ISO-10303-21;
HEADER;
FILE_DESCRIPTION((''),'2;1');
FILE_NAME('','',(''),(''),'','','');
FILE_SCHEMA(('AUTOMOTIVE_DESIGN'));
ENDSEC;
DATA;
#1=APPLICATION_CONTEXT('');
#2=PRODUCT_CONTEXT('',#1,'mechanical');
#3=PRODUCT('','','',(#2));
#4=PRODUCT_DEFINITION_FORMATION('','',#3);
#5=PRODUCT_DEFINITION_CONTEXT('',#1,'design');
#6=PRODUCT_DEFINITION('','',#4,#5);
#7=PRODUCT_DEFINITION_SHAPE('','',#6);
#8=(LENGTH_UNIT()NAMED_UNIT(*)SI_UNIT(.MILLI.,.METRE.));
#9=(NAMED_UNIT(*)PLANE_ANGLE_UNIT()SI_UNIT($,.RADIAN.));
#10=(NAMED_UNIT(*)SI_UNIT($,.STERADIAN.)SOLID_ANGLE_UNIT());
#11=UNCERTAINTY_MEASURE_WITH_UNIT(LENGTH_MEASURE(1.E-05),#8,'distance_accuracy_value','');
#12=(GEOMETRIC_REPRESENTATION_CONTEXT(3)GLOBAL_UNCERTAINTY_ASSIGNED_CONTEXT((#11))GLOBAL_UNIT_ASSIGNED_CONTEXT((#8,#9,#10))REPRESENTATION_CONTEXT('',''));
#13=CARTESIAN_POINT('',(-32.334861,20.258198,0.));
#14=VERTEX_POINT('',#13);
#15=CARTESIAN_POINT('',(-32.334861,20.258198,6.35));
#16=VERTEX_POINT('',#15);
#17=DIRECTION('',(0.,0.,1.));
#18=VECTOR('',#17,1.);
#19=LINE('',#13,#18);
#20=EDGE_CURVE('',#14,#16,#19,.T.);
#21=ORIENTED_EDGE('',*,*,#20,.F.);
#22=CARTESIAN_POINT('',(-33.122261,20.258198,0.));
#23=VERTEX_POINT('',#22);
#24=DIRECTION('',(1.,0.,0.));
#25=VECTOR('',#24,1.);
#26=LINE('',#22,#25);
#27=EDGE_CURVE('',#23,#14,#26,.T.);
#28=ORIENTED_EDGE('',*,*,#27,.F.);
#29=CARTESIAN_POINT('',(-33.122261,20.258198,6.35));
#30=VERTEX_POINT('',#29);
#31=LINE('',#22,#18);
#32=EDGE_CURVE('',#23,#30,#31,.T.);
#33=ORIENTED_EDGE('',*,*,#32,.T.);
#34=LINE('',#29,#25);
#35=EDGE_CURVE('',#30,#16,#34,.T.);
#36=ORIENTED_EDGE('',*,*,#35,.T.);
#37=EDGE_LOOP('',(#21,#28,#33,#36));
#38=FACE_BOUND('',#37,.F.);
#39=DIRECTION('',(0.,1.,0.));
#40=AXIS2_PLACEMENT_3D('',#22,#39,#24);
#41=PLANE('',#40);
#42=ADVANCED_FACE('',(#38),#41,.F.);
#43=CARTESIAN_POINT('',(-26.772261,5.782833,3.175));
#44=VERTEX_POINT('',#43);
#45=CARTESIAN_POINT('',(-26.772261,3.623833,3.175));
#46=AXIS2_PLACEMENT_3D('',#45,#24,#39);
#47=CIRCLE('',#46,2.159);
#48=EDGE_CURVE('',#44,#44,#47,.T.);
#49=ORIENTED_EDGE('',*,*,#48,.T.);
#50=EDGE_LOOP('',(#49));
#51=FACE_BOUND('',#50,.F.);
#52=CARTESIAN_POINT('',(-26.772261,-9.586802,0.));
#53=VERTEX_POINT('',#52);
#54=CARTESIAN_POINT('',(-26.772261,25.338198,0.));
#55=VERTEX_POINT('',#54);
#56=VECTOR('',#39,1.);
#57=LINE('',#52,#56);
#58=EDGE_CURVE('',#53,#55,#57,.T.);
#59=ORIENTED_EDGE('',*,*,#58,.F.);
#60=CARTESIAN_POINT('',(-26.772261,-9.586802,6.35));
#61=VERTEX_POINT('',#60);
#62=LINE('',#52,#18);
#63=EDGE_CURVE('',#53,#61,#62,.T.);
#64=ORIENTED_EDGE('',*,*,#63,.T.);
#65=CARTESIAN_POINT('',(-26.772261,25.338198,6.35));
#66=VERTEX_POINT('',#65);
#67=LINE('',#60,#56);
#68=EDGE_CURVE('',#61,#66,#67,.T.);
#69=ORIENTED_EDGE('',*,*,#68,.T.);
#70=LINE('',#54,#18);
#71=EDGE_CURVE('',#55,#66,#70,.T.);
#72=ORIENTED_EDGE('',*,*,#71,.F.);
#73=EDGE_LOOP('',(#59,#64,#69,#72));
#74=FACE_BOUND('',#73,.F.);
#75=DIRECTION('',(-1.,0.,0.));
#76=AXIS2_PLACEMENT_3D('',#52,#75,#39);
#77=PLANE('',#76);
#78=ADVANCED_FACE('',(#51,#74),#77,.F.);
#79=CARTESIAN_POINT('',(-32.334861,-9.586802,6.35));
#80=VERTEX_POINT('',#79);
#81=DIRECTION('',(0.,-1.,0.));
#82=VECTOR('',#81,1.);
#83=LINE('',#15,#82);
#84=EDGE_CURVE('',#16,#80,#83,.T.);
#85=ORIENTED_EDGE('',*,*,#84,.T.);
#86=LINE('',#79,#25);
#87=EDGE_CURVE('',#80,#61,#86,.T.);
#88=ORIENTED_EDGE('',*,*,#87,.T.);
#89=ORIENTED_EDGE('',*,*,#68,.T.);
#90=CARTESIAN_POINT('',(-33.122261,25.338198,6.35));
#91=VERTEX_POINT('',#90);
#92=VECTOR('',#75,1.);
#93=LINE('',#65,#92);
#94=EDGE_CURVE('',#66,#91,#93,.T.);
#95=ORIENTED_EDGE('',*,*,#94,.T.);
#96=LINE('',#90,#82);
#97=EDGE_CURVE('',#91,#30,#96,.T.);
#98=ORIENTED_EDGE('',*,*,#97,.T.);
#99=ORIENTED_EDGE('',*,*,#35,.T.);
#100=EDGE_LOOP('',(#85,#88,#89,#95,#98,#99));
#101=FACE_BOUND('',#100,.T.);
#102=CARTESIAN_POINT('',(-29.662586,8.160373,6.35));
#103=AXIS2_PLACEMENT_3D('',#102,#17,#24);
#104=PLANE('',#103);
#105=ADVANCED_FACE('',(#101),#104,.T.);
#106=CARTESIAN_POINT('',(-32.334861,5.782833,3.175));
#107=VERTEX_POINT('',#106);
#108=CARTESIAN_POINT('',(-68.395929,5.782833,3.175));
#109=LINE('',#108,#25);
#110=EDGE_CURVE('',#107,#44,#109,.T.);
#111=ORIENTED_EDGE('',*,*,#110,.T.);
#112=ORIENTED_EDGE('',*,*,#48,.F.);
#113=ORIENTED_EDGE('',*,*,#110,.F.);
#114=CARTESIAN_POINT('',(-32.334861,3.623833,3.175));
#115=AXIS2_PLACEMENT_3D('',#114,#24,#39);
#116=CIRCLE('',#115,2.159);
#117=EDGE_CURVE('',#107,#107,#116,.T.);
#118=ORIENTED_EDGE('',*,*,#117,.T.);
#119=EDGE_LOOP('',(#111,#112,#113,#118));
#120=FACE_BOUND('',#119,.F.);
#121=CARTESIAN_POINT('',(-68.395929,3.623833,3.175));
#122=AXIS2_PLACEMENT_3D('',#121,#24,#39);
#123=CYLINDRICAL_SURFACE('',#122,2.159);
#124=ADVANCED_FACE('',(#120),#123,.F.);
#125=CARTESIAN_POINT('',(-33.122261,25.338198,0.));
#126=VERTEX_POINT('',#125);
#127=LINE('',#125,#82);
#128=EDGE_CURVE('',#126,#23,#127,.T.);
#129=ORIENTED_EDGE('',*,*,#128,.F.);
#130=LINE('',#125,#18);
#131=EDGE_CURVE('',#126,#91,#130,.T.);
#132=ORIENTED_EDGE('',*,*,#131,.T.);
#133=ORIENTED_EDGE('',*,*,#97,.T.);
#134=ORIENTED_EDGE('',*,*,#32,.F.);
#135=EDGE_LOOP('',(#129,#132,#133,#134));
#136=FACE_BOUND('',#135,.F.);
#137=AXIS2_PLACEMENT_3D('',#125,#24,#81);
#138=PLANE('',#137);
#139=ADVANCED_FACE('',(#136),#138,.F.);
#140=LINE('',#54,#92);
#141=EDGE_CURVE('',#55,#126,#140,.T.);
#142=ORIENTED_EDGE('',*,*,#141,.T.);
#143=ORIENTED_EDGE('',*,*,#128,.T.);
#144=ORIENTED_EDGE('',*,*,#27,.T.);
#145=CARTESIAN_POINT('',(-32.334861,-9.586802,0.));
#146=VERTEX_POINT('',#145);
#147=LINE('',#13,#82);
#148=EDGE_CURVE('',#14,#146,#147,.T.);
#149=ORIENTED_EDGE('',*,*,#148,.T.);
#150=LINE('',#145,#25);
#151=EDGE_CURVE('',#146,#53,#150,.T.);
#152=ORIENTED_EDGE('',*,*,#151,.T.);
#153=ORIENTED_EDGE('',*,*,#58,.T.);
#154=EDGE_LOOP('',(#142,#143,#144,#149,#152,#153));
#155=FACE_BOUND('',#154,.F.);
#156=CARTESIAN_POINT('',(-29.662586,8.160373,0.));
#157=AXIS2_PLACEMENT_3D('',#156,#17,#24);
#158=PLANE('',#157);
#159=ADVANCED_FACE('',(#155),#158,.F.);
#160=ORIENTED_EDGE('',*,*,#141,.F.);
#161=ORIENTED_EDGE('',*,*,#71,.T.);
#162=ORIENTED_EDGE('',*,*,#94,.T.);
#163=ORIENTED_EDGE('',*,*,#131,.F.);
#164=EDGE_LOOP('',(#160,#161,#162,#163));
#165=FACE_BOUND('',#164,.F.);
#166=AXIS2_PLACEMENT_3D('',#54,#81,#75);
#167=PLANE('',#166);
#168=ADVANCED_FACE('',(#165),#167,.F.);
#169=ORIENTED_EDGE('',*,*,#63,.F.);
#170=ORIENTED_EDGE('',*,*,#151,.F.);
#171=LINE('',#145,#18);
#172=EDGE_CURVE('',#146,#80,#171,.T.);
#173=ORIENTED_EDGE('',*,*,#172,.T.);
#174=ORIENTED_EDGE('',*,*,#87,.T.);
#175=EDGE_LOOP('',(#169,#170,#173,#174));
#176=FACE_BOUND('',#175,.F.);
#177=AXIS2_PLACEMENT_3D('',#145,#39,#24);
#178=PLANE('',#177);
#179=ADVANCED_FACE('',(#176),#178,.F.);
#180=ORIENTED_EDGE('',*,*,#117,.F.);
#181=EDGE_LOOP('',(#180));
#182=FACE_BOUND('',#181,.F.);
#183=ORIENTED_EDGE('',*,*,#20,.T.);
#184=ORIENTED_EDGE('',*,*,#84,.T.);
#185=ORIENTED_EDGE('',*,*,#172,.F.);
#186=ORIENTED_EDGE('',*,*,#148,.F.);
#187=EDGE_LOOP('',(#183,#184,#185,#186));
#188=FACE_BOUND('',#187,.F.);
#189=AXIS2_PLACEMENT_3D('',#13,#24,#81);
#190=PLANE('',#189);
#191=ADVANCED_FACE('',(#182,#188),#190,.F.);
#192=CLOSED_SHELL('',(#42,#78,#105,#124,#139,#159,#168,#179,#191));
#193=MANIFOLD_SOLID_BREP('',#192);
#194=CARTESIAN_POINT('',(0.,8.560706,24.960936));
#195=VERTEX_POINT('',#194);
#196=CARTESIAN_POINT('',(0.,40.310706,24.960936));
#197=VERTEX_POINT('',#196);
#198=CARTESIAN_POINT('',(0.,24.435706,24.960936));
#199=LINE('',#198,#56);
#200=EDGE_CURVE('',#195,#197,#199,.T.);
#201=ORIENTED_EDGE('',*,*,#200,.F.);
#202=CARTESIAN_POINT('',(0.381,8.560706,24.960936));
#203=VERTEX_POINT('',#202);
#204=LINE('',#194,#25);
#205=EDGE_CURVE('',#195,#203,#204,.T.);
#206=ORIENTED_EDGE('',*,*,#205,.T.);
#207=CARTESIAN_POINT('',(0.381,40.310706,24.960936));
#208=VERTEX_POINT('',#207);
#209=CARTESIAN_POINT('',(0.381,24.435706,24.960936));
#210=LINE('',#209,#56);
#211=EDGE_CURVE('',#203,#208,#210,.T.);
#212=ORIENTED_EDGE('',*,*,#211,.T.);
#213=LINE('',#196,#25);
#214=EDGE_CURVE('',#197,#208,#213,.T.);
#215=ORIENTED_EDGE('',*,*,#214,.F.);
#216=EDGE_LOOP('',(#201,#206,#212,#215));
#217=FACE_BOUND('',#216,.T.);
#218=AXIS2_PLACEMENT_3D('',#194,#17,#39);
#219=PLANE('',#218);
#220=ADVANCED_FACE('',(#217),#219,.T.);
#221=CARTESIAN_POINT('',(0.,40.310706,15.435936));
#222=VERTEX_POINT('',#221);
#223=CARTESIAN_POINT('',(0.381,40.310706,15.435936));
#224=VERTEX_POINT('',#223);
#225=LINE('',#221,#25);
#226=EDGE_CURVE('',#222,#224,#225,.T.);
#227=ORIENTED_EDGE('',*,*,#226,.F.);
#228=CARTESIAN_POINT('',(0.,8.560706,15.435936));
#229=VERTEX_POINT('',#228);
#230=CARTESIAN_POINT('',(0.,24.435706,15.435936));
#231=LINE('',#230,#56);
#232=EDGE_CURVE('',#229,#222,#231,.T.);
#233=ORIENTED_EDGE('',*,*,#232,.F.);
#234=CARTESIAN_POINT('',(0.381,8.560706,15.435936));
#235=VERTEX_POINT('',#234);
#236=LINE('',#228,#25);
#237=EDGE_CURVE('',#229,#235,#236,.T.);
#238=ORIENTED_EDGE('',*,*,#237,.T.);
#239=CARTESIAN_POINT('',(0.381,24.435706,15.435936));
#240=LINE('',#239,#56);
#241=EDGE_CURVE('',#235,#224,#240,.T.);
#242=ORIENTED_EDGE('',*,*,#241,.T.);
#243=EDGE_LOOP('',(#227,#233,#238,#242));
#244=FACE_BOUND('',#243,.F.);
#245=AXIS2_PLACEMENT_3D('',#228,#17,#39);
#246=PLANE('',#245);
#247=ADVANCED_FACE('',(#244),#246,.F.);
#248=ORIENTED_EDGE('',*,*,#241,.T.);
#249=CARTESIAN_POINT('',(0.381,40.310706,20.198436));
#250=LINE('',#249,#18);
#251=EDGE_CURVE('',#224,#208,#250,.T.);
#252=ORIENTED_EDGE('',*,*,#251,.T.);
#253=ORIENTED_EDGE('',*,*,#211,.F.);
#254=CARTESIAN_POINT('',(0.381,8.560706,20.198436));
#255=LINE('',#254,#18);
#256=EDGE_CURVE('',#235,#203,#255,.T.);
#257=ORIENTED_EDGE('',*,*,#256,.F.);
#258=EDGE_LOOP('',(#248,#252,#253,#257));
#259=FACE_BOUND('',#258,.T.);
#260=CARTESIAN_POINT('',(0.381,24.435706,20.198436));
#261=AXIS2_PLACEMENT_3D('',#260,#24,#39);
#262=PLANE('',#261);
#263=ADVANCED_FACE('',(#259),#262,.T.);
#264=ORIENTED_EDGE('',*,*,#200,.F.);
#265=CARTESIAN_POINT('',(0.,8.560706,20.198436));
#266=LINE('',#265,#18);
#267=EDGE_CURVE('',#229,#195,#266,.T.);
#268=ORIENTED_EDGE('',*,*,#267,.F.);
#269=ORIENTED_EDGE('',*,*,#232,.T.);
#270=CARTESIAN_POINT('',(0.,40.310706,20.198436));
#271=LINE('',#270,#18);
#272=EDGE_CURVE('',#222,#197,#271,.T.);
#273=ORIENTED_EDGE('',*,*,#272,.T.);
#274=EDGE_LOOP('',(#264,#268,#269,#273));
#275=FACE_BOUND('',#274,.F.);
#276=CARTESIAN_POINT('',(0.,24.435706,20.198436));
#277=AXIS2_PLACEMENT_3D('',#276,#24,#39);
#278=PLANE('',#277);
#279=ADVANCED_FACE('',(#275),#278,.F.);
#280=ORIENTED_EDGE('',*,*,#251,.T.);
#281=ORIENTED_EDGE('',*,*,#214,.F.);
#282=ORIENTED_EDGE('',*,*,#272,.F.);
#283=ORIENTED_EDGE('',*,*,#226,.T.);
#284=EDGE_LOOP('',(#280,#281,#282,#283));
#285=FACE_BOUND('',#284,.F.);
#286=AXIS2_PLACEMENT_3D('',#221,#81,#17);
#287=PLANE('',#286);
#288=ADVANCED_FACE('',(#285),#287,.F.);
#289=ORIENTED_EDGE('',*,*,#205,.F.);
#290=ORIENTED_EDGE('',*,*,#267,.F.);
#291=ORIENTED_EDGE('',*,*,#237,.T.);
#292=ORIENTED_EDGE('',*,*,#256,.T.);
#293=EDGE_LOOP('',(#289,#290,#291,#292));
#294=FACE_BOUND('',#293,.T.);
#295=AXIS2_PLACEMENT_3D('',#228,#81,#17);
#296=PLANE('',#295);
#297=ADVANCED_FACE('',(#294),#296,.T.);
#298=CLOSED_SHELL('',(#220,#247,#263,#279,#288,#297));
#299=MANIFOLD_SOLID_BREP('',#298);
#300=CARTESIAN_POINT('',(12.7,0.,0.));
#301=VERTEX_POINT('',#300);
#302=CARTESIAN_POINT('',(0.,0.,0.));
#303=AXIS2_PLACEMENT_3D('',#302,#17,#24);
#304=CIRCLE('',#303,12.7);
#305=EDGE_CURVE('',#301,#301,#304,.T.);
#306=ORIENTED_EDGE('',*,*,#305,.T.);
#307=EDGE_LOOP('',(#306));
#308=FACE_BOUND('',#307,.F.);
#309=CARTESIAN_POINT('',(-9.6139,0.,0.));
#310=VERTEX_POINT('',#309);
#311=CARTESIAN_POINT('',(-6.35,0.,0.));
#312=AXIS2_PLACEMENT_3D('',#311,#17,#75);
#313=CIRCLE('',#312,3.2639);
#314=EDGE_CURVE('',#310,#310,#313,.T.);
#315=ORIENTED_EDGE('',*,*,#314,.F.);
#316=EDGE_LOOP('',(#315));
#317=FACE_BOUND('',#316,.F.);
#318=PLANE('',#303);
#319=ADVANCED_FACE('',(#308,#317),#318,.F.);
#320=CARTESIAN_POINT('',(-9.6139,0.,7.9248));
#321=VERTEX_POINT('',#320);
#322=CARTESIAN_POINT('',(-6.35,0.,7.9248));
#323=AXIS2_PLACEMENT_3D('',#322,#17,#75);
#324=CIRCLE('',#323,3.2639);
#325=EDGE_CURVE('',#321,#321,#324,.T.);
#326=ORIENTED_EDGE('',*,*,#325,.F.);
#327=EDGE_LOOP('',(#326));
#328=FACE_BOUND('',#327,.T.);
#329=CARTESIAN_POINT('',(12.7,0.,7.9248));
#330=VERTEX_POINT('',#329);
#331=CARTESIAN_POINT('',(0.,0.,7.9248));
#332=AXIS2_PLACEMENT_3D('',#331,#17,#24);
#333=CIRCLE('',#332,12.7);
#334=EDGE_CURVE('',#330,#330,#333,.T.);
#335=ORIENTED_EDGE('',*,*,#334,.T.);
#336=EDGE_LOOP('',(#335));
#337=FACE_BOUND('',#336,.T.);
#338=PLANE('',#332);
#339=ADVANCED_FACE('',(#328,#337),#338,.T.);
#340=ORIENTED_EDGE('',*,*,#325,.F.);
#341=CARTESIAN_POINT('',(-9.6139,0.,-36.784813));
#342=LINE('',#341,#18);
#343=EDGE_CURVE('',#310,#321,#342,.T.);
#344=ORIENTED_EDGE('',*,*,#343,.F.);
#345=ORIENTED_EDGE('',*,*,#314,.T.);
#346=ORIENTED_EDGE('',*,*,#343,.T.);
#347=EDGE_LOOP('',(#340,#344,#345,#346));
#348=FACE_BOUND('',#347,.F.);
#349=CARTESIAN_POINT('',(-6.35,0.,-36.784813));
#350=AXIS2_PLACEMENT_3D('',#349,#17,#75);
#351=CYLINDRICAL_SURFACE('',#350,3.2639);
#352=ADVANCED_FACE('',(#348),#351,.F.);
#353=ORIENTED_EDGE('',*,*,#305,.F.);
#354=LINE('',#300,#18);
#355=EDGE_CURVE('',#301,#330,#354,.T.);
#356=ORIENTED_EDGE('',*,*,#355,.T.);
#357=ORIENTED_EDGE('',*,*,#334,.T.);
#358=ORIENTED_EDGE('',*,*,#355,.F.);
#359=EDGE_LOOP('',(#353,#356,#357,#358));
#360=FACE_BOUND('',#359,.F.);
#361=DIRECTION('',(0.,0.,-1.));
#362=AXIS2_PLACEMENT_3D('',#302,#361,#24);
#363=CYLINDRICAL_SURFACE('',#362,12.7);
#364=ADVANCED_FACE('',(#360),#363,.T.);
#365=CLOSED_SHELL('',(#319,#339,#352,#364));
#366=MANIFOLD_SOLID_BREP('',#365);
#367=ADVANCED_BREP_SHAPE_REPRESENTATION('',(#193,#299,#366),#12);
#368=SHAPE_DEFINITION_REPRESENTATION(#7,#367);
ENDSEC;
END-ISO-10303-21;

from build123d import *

# Parameters (mm, degrees)
F0_R     = 12.7
F1_DEPTH = 7.9248
F2_D     = 6.5278
F4_DEPTH = 6.35
F6_D     = 4.318
F7_W     = 31.75
F7_H     = 9.525
F8_DEPTH = 0.381


with BuildPart() as f1:
    # F0 (on Top) → F1 (new body)
    with BuildSketch(Plane.XY):
        Circle(F0_R)
    extrude(amount=F1_DEPTH)

    # F2 (through all)
    with Locations(Plane(origin=(0, 0, 0), x_dir=(1, 0, 0), z_dir=(0, 0, -1))):
        with Locations((-6.35, 0)):
            Hole(F2_D / 2)


with BuildPart() as f4:
    # F3 (on Top) → F4 (new body)
    with BuildSketch(Plane.XY):
        Polygon((-26.772261326, 25.338197906), (-33.122261326, 25.338197906), (-33.122261326, 20.258197906), (-32.334861326, 20.258197906), (-32.334861326, -9.586802094), (-26.772261326, -9.586802094), align=None)
    extrude(amount=F4_DEPTH)

    # F6 (through all)
    with Locations(Plane(origin=(-32.334861326, 0, 0), x_dir=(0, -1, 0), z_dir=(-1, 0, 0))):
        with Locations((-3.6238329485, 3.175)):
            Hole(F6_D / 2)


with BuildPart() as f8:
    # F7 (on Right) → F8 (new body)
    with BuildSketch(Plane.YZ):
        with Locations((24.4357057797, 20.1984364539)):
            Rectangle(F7_W, F7_H)
    extrude(amount=F8_DEPTH)


solid = Compound([f1.part, f4.part, f8.part])
